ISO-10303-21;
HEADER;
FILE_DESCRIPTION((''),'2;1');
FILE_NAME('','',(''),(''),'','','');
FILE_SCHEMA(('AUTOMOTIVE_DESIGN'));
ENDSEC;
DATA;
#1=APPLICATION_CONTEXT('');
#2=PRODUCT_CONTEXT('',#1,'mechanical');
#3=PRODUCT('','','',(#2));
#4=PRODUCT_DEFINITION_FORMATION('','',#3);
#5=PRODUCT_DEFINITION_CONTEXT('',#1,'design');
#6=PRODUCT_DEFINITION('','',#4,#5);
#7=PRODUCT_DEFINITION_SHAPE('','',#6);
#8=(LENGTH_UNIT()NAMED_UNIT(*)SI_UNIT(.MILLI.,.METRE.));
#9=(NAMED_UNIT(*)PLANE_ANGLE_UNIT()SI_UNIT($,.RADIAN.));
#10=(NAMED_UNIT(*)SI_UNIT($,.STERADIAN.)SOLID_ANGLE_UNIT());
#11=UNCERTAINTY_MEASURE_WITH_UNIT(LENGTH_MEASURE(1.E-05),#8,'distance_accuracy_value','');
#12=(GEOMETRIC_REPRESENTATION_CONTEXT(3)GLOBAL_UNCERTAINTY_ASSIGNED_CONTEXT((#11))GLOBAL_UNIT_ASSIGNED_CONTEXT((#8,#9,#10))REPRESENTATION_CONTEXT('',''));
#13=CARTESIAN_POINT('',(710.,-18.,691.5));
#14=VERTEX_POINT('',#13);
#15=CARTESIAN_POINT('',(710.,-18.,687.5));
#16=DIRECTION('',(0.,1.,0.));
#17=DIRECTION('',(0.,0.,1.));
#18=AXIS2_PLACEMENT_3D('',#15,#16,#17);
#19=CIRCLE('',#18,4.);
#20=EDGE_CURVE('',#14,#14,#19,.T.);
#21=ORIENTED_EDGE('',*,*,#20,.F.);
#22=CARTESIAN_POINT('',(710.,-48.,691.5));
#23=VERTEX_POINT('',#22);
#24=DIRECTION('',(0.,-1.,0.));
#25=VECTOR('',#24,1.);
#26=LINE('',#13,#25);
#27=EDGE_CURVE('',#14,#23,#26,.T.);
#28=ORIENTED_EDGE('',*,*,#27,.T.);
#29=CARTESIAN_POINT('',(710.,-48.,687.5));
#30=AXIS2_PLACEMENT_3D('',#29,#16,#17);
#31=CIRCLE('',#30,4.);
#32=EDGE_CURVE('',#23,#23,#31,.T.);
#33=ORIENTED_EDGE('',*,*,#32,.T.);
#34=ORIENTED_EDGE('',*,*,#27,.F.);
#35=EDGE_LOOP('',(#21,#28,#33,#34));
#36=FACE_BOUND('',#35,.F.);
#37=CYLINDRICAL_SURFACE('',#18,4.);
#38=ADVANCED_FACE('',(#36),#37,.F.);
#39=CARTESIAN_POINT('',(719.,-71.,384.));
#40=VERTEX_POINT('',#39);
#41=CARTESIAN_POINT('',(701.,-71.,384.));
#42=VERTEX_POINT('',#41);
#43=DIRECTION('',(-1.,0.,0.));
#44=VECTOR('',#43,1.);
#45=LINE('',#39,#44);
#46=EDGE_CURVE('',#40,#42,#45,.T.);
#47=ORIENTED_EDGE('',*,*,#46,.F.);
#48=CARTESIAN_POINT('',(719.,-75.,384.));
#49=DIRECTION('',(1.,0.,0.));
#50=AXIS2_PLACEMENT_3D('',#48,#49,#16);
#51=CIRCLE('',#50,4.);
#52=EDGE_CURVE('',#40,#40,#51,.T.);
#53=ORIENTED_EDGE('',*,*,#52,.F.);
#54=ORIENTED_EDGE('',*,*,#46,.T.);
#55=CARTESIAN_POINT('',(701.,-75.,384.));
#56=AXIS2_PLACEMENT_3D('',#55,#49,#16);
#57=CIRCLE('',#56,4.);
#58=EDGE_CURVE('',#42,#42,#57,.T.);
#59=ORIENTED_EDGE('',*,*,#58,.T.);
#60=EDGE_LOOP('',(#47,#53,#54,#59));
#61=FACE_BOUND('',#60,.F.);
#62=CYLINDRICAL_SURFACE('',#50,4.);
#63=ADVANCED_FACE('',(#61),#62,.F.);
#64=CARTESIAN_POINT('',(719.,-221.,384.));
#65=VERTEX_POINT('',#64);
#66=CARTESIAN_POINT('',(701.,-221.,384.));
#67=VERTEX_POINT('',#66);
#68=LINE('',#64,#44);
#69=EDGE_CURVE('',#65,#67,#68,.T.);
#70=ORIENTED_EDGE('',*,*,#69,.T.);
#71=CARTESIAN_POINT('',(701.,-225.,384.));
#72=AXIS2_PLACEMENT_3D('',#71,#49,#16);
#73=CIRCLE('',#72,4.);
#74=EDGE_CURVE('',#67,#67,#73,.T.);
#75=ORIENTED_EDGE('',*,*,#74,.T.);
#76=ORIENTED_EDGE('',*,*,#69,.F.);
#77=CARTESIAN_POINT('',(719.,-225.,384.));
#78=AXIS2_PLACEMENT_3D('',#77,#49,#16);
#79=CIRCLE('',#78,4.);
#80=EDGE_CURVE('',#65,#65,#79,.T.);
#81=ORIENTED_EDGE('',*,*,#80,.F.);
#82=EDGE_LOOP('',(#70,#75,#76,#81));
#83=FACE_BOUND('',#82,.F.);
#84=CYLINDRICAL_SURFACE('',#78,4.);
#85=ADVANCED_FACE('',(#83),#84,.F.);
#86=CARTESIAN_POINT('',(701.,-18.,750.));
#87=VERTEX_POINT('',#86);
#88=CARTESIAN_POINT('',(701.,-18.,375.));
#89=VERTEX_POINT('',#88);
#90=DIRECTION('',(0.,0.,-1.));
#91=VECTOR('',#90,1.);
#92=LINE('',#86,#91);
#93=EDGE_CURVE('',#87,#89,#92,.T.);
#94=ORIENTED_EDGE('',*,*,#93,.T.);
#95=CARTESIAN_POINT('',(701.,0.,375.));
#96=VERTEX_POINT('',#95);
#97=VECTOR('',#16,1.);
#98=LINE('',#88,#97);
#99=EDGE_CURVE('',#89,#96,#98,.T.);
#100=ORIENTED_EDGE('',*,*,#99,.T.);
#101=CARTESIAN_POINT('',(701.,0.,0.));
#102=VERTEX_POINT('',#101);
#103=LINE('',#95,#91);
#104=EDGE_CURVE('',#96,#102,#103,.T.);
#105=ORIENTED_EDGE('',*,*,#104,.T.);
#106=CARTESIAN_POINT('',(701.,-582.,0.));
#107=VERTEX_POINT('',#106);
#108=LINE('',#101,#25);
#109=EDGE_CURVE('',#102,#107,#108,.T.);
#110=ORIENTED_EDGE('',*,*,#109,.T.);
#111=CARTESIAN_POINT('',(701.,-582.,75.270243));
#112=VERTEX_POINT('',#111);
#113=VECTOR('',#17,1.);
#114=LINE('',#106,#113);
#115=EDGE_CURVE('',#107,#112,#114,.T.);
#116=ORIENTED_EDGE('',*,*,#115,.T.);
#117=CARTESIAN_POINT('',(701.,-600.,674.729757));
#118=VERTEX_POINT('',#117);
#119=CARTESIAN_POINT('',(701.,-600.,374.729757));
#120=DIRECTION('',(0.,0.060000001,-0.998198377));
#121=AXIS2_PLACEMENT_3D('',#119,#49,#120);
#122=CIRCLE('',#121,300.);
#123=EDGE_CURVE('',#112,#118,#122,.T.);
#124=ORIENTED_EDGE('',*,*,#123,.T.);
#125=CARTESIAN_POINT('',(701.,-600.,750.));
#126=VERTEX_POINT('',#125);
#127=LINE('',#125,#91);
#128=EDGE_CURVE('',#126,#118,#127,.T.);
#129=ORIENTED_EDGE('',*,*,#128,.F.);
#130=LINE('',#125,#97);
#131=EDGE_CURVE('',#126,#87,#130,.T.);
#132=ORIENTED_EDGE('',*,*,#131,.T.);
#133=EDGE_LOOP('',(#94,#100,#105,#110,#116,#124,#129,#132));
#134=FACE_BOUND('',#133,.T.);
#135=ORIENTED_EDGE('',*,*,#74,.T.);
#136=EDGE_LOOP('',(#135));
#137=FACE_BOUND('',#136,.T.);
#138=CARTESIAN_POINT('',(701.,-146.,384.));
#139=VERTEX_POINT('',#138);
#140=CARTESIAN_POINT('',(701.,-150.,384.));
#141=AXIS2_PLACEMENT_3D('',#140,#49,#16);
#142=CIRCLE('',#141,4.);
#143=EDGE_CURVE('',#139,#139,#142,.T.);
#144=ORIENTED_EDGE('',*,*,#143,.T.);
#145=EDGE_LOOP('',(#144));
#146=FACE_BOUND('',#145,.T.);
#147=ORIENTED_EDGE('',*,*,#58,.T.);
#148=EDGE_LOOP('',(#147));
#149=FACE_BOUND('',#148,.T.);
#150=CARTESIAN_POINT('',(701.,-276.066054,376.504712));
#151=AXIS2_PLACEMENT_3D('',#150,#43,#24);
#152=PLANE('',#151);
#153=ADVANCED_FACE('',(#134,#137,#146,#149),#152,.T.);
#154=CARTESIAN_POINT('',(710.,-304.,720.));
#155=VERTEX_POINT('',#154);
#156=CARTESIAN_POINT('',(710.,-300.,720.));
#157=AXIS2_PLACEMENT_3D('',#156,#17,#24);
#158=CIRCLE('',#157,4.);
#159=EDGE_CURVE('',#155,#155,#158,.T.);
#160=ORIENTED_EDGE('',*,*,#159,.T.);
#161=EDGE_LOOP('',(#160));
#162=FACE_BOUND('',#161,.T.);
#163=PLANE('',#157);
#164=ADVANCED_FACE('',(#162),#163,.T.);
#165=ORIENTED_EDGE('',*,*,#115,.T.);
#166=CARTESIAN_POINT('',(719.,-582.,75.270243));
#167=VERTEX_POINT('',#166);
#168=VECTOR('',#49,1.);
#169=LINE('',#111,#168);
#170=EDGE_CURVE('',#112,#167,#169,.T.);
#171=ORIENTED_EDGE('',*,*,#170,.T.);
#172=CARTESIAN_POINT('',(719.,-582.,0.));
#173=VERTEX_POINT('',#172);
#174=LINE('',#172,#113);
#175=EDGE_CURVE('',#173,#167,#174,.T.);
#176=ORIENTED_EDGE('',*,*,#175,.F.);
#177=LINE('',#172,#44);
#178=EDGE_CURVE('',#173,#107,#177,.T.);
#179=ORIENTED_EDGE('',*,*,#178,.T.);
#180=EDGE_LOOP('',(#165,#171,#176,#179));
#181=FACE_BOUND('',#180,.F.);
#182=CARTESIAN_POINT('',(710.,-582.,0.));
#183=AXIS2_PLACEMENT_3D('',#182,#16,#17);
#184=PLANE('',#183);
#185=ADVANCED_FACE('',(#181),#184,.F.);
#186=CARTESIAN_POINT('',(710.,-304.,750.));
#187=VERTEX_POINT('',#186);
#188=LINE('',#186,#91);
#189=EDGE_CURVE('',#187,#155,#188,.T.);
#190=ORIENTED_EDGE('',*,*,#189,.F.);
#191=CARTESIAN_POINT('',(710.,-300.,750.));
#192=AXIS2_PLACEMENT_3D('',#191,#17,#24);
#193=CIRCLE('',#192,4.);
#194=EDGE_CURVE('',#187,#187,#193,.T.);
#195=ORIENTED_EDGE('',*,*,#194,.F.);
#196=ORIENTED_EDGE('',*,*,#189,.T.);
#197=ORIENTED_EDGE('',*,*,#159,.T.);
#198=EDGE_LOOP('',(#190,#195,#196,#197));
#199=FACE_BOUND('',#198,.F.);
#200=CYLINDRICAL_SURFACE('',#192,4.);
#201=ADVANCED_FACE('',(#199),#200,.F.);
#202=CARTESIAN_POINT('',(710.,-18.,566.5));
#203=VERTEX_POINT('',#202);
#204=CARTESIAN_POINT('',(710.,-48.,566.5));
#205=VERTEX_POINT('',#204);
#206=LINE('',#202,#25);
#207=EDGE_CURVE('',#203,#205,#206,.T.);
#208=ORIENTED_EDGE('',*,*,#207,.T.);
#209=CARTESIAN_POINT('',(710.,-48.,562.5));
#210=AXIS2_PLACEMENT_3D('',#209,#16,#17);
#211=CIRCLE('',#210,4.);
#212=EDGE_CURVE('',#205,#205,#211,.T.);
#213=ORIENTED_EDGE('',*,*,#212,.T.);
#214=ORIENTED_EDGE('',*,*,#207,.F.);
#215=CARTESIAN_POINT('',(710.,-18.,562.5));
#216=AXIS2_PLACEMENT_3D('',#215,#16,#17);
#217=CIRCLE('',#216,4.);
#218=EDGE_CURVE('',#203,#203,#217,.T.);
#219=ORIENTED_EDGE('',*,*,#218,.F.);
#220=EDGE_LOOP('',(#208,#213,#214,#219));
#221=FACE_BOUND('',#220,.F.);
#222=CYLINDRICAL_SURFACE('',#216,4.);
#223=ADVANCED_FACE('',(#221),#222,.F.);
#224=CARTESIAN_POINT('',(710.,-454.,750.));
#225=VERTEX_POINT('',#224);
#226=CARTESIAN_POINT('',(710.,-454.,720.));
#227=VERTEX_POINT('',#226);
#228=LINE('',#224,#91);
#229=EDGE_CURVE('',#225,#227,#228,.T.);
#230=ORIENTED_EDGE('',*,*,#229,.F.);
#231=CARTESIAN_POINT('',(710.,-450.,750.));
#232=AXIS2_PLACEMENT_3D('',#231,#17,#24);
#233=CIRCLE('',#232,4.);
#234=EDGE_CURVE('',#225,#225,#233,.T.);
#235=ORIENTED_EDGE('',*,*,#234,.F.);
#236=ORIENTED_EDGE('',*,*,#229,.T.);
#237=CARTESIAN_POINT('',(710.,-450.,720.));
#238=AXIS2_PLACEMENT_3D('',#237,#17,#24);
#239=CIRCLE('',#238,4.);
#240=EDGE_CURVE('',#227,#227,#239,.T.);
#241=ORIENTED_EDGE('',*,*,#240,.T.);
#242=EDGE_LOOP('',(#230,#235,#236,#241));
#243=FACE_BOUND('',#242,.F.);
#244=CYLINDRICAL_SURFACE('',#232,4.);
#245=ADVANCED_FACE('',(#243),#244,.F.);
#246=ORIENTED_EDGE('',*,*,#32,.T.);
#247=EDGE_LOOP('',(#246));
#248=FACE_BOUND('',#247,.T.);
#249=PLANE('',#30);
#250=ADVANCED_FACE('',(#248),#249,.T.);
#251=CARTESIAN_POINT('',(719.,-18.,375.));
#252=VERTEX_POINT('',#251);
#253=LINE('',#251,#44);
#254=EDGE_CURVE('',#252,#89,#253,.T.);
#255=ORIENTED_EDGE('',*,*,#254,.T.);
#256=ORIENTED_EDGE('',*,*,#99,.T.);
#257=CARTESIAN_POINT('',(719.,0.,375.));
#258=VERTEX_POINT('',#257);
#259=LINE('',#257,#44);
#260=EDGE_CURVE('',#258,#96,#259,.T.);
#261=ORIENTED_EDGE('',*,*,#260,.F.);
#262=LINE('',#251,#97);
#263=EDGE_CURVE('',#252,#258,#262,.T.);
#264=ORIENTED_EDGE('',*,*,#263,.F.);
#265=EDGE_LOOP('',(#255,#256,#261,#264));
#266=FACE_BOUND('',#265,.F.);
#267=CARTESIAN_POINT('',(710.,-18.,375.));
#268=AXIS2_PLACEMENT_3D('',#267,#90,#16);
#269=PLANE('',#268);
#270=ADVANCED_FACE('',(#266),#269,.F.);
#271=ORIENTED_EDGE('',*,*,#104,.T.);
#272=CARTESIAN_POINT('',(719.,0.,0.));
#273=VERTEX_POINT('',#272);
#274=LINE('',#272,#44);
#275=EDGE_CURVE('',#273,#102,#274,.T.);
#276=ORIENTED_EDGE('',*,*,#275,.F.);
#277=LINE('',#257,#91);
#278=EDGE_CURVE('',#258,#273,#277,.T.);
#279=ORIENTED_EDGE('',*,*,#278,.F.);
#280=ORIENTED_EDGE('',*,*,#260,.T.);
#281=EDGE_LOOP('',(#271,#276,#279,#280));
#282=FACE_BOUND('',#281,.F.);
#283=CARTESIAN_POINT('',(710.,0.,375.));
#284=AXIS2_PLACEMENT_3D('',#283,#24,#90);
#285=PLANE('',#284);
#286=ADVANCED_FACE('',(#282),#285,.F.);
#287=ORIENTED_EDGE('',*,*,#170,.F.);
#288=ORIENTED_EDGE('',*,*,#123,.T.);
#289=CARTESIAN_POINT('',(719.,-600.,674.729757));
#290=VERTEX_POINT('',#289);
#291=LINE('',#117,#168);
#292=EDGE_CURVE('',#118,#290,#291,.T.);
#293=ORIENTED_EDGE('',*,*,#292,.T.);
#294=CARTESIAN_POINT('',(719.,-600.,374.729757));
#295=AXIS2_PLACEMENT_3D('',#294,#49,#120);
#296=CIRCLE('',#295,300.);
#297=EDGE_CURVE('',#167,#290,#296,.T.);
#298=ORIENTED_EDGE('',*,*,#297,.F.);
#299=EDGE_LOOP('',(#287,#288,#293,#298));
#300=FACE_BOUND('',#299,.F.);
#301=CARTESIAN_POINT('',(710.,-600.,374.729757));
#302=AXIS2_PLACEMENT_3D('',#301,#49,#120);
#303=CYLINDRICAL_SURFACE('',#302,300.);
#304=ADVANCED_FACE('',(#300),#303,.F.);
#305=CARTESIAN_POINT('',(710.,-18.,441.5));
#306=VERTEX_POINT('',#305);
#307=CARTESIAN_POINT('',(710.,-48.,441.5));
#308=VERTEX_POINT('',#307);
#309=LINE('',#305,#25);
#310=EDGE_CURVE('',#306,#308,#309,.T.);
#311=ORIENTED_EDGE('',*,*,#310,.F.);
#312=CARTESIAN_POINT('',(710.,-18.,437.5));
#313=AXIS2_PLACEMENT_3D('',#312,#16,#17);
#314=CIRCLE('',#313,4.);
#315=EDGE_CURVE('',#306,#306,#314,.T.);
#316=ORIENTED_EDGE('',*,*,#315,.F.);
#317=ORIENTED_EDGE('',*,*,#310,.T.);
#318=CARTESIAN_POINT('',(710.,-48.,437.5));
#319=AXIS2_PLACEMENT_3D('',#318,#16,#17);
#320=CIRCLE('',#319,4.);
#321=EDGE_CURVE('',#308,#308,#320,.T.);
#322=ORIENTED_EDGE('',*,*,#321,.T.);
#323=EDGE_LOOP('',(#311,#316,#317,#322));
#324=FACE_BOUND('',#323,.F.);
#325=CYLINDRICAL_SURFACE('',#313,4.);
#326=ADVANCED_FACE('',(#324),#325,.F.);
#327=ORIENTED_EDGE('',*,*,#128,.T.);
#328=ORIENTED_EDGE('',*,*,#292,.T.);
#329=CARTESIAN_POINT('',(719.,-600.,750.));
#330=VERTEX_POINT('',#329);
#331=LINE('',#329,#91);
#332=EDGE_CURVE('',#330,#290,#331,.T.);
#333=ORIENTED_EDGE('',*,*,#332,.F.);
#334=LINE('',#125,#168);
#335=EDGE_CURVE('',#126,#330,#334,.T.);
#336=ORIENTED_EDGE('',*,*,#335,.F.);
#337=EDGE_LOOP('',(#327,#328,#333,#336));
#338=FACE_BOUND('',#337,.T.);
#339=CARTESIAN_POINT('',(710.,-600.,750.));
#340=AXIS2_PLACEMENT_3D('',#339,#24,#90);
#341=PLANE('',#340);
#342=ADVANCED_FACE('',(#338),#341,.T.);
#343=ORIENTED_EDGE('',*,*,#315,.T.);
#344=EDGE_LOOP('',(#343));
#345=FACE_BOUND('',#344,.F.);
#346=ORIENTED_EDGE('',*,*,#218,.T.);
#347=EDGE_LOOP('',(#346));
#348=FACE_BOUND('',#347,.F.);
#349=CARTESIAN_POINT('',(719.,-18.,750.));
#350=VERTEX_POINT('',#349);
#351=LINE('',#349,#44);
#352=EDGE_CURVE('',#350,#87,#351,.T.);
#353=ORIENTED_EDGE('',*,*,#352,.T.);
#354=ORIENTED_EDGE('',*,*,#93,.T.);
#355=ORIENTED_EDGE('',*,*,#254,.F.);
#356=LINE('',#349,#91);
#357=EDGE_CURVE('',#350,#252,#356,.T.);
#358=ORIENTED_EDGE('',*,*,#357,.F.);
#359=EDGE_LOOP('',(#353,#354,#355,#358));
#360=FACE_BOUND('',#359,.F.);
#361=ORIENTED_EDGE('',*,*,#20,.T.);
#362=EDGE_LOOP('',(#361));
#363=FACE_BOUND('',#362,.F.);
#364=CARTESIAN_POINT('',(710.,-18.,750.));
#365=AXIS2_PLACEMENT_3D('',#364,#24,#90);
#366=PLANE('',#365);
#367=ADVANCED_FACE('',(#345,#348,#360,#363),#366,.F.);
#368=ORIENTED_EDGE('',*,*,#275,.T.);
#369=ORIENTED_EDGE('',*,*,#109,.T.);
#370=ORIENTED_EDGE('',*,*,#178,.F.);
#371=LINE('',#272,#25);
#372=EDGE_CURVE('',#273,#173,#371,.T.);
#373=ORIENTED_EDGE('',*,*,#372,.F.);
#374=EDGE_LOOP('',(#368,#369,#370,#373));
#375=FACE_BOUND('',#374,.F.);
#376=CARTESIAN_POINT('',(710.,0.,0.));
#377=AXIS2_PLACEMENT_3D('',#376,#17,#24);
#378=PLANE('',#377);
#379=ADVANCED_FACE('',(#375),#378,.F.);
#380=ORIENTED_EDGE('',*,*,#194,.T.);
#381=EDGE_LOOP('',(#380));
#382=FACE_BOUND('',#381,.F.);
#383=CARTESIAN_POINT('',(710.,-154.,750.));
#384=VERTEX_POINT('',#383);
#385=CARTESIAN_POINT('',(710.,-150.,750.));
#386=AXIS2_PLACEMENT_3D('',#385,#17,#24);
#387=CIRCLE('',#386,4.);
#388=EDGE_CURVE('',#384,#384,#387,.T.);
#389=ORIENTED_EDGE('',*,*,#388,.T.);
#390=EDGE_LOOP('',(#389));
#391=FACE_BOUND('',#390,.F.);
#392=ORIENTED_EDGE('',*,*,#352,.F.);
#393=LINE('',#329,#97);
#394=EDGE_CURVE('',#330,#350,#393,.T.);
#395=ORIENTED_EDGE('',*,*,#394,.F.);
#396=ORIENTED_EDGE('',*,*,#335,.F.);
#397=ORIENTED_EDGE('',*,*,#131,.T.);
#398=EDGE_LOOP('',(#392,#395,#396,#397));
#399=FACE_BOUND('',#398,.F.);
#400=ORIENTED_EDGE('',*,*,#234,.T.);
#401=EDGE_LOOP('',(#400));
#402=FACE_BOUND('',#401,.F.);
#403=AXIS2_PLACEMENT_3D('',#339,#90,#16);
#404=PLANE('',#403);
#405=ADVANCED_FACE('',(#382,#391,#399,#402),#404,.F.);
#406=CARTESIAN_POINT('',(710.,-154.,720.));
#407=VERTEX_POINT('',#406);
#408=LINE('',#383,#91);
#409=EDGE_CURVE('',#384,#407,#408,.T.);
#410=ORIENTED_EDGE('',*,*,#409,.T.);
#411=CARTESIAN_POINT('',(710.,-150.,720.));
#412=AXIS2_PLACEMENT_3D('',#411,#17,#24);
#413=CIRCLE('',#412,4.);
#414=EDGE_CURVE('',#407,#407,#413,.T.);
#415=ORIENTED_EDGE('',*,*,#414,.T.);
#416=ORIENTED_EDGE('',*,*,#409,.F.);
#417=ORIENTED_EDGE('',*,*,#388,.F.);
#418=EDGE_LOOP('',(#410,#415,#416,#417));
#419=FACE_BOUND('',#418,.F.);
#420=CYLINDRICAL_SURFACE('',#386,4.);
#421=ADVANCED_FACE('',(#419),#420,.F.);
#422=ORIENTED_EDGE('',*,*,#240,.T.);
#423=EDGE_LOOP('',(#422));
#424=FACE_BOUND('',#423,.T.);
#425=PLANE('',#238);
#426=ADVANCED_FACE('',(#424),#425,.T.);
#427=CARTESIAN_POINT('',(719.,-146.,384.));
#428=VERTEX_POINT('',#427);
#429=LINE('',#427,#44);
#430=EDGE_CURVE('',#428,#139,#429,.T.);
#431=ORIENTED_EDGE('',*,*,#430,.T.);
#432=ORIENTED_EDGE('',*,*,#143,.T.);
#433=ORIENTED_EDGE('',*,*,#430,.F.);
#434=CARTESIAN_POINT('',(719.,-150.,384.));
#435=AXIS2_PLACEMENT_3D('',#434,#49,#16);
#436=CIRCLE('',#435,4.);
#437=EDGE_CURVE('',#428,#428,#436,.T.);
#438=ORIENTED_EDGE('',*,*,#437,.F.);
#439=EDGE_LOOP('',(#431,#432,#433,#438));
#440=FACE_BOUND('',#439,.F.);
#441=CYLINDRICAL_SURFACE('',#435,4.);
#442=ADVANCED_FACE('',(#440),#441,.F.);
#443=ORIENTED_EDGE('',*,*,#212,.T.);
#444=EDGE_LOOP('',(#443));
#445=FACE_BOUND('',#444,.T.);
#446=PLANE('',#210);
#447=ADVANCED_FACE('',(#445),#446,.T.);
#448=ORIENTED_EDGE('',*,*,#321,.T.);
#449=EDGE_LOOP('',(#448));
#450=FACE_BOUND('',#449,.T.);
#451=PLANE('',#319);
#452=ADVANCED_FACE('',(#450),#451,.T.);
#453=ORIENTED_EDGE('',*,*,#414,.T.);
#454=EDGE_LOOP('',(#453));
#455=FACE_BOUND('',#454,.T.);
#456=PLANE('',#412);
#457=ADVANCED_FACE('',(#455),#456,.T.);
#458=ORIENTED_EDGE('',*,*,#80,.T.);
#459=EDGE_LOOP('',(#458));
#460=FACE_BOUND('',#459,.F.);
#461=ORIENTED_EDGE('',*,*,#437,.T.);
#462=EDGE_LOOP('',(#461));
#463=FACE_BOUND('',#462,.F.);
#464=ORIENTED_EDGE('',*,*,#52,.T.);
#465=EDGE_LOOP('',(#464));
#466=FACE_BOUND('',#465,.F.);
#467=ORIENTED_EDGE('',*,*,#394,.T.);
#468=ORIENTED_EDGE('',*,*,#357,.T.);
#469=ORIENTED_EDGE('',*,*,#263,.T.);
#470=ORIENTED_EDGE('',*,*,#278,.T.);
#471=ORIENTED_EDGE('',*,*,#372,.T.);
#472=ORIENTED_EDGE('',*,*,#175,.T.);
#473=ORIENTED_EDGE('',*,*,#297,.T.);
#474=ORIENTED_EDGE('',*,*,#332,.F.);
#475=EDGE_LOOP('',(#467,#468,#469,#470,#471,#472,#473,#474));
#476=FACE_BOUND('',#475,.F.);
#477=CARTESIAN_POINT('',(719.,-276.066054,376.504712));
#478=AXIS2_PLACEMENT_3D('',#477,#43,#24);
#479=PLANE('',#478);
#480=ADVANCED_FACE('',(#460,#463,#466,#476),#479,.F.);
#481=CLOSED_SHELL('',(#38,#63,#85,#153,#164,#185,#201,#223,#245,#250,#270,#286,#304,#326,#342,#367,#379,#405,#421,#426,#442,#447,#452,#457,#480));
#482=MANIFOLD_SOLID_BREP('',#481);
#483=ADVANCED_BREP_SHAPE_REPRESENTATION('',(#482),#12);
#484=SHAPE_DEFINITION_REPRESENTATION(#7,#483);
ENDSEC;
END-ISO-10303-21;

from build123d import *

# Parameters (mm, degrees)
PAD023_DEPTH    = 9
SKETCH069_R     = 4
POCKET020_DEPTH = 30
SKETCH072_R     = 4
POCKET023_DEPTH = 30
SKETCH073_R     = 4
POCKET024_DEPTH = 18.001


with BuildPart() as part:
    # Sketch065 → Pad023 (new body, symmetric)
    with BuildSketch(Plane.YZ):
        with BuildLine():
            Line((-600, 750), (-18, 750))
            Line((-18, 750), (-18, 375))
            Line((-18, 375), (0, 375))
            Line((0, 375), (0, 0))
            Line((0, 0), (-582, 0))
            Line((-582, 0), (-582, 75.270243))
            ThreePointArc((-582, 75.270243), (-300.135152, 383.733813), (-600, 674.729757))
            Line((-600, 750), (-600, 674.729757))
        make_face()
    extrude(amount=PAD023_DEPTH, both=True)

    # Sketch069 (on Face1 of Pad023) → Pocket020 (cut)
    with BuildSketch(Plane(origin=(0, 0, 750), x_dir=(0, -1, 0), z_dir=(0, 0, 1))):
        with Locations((150, 0)):
            Circle(SKETCH069_R)
        with Locations((300, 0)):
            Circle(SKETCH069_R)
        with Locations((450, 0)):
            Circle(SKETCH069_R)
    extrude(amount=-POCKET020_DEPTH, mode=Mode.SUBTRACT)

    # Sketch072 (on Face5 of Pocket020) → Pocket023 (cut)
    with BuildSketch(Plane.ZX.offset(-18)):
        with Locations((437.5, 0)):
            Circle(SKETCH072_R)
        with Locations((562.5, 0)):
            Circle(SKETCH072_R)
        with Locations((687.5, 0)):
            Circle(SKETCH072_R)
    extrude(amount=-POCKET023_DEPTH, mode=Mode.SUBTRACT)

    # Sketch073 (on Face4 of Pocket023) → Pocket024 (cut, through all)
    with BuildSketch(Plane.YZ.offset(9)):
        with Locations((-150, 384)):
            Circle(SKETCH073_R)
        with Locations((-225, 384)):
            Circle(SKETCH073_R)
        with Locations((-75, 384)):
            Circle(SKETCH073_R)
    extrude(amount=-POCKET024_DEPTH, mode=Mode.SUBTRACT)


with BuildPart() as part_1:
    # Body018001001001010001003001003001001019 placement: moved
    add(part.part.moved(Location((-710, 0, 0))))


with BuildPart() as part_2:
    # Clone014 placement: moved
    add(part_1.part.moved(Location((1420, 0, 0))))


solid = part_2.part
